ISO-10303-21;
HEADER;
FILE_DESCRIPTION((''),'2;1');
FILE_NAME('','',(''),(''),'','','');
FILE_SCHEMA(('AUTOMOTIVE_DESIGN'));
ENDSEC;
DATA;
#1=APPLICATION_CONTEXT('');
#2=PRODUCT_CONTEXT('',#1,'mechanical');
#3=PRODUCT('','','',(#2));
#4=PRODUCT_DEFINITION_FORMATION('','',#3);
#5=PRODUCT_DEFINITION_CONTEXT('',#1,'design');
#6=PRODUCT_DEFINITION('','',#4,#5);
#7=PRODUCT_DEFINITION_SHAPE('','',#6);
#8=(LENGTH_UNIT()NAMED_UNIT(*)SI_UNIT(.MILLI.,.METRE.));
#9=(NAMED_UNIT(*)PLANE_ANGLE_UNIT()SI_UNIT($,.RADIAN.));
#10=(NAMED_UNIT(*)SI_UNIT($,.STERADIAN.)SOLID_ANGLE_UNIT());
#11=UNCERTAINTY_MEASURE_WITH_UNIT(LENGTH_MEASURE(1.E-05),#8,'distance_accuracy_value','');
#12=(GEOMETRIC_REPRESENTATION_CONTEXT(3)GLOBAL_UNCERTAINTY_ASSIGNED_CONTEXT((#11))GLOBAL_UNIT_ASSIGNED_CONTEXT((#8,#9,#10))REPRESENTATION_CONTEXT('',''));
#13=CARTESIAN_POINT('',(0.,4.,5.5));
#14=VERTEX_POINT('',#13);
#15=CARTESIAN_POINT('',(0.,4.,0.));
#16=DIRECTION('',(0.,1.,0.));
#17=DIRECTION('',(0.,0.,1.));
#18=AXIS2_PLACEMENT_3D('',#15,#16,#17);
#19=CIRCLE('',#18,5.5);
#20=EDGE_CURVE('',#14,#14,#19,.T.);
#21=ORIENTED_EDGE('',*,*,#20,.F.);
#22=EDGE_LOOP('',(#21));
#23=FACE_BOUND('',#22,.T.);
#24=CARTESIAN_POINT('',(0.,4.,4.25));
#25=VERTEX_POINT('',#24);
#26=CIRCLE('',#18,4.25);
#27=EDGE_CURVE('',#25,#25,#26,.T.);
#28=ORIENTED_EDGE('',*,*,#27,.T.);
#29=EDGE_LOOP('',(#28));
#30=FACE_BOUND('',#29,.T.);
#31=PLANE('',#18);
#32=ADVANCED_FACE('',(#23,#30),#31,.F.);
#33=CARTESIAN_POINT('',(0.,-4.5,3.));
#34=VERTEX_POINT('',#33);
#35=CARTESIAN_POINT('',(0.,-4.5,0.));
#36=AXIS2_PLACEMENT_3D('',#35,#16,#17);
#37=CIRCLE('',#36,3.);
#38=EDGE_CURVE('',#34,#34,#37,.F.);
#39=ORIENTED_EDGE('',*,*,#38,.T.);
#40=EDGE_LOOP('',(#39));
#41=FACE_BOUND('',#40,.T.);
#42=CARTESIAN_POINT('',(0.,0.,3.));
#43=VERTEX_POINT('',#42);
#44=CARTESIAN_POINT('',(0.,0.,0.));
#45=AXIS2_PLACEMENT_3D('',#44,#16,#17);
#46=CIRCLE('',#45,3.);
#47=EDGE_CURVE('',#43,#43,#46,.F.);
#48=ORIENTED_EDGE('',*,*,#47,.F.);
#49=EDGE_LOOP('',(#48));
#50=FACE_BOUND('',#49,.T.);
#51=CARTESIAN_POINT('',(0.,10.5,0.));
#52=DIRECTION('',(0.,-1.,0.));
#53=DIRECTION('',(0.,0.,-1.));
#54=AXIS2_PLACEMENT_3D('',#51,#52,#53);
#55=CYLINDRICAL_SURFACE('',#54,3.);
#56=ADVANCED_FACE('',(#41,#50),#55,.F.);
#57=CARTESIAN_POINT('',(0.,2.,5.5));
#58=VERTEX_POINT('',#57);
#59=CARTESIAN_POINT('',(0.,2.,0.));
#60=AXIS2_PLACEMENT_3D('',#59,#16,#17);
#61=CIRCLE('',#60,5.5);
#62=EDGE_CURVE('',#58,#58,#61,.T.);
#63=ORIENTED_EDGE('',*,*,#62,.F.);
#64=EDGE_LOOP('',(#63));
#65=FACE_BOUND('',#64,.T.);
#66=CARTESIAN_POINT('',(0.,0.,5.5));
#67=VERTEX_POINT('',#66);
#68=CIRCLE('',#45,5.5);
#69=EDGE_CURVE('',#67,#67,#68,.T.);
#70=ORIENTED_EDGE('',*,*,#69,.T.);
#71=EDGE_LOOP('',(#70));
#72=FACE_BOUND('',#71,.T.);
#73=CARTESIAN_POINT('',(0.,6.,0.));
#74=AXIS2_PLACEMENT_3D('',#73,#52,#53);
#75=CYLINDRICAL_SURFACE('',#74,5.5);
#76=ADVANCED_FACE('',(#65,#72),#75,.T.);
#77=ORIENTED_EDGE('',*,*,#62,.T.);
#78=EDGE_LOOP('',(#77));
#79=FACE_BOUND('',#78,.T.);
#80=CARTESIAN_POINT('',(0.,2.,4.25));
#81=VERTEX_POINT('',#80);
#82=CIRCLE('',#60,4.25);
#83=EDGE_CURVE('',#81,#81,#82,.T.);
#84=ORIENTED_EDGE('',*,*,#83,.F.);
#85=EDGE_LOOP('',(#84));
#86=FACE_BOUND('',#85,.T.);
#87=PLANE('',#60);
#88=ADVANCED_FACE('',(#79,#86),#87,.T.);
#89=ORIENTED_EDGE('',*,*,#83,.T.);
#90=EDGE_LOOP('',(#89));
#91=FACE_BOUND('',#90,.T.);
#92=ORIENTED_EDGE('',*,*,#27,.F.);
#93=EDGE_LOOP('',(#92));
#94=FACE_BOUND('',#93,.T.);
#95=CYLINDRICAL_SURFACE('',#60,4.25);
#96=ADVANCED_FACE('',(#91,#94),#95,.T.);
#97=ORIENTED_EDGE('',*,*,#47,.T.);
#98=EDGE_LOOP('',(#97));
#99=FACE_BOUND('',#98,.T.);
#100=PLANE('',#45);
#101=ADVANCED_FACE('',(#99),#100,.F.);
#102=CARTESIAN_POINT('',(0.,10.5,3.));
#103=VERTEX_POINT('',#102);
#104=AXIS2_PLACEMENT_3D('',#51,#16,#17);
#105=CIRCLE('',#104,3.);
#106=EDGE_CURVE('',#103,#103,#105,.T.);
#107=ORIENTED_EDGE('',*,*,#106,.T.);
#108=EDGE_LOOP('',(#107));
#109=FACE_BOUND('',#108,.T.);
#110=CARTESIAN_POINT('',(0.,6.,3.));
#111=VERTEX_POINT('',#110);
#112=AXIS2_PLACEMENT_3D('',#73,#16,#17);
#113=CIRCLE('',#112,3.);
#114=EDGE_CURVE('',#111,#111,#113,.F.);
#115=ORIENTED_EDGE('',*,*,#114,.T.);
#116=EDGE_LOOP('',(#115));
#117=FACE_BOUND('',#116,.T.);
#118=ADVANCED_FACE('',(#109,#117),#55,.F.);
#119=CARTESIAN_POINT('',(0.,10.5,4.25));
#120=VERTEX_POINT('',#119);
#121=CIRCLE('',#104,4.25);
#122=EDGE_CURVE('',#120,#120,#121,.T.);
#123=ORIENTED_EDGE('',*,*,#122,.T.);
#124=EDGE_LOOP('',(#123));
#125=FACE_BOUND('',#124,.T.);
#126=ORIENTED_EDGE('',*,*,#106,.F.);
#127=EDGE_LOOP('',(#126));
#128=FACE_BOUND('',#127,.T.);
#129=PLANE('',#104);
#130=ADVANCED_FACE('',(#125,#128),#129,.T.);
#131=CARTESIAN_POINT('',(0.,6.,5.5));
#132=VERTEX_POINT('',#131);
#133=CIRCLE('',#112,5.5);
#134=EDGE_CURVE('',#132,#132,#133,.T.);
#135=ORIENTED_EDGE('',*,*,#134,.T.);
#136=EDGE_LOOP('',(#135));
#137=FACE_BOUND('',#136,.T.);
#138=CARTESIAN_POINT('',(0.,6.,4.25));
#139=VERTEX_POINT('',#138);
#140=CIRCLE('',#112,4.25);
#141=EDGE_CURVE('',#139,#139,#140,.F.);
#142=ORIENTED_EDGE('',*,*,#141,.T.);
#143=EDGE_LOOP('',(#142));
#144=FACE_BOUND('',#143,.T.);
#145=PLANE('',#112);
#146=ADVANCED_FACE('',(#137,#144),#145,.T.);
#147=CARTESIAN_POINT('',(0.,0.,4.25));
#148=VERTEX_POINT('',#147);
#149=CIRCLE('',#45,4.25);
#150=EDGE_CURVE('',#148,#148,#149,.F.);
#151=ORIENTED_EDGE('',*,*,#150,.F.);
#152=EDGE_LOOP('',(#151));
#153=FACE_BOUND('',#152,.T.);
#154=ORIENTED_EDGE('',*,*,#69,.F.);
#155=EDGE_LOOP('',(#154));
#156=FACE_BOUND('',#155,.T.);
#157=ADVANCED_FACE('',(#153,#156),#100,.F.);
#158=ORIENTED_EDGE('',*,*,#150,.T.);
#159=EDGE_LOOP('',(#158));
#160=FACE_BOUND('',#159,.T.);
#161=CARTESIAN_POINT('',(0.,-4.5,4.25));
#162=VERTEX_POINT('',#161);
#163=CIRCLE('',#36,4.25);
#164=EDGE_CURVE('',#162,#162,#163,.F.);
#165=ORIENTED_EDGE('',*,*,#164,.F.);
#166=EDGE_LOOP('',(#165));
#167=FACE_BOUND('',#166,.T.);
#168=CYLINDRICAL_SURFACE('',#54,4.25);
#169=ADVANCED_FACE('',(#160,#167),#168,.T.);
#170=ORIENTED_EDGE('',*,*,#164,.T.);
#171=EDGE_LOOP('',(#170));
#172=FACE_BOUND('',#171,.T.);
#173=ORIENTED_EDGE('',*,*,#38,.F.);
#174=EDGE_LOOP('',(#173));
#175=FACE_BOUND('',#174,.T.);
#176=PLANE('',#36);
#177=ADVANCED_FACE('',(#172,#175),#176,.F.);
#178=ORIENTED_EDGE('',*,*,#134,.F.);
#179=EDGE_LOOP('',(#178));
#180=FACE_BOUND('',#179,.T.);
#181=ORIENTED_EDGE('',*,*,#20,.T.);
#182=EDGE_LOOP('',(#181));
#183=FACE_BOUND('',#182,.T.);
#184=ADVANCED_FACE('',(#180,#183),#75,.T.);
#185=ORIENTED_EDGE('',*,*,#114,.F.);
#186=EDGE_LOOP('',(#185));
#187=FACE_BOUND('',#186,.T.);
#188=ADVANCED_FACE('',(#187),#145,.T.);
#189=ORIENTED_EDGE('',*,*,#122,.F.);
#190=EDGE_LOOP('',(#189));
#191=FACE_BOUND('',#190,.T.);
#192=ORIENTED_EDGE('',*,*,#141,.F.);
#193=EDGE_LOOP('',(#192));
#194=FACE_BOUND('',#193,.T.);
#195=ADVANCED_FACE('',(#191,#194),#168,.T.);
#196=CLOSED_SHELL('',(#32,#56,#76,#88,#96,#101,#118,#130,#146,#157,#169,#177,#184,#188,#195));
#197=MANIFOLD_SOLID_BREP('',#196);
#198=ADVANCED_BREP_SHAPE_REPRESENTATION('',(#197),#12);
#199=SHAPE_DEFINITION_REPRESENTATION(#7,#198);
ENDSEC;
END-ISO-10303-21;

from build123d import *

# Parameters (mm, degrees)
SKETCH_1_R           = 5.5
EXTRUDE_1_DEPTH      = 6
EXTRUDE_2_DEPTH      = 4.5
EXTRUDE_2_DEPTH_BACK = 10.5
SKETCH_2_R           = 4.25
SKETCH_2_R_2         = 3
CUT_EXTRUDE_START    = -2
SKETCH_3_R           = 5.5
SKETCH_3_R_2         = 4.25
CUT_EXTRUDE_1_DEPTH  = 2


with BuildPart() as part:
    # 草图1 → 拉伸1 (new body)
    with BuildSketch(Plane(origin=(0, 0, 0), x_dir=(1, 0, 0), z_dir=(0, 1, 0))):
        with Locations(Location((0, 0, 0), (0, 0, 270))):
            Circle(SKETCH_1_R)
    extrude(amount=EXTRUDE_1_DEPTH)

    # 草图2 → 拉伸2 (add, two sides: drawn at the far end of the back side and taken through both)
    with BuildSketch(Plane(origin=(0, 6, 0), x_dir=(-1, 0, 0), z_dir=(0, 1, 0)).offset(-EXTRUDE_2_DEPTH_BACK)):
        with Locations(Location((0, 0, 0), (0, 0, 90))):
            Circle(SKETCH_2_R)
        with Locations(Location((0, 0, 0), (0, 0, 90))):
            Circle(SKETCH_2_R_2, mode=Mode.SUBTRACT)
    extrude(amount=EXTRUDE_2_DEPTH + EXTRUDE_2_DEPTH_BACK)

    # 草图3 → 切除-拉伸1 (cut)
    with BuildSketch(Plane(origin=(0, 4, 0), x_dir=(-1, 0, 0), z_dir=(0, 1, 0)).offset(CUT_EXTRUDE_START)):
        with Locations(Location((0, 0, 0), (0, 0, 90))):
            Circle(SKETCH_3_R)
        with Locations(Location((0, 0, 0), (0, 0, 90))):
            Circle(SKETCH_3_R_2, mode=Mode.SUBTRACT)
    extrude(amount=CUT_EXTRUDE_1_DEPTH, mode=Mode.SUBTRACT)


solid = part.part
